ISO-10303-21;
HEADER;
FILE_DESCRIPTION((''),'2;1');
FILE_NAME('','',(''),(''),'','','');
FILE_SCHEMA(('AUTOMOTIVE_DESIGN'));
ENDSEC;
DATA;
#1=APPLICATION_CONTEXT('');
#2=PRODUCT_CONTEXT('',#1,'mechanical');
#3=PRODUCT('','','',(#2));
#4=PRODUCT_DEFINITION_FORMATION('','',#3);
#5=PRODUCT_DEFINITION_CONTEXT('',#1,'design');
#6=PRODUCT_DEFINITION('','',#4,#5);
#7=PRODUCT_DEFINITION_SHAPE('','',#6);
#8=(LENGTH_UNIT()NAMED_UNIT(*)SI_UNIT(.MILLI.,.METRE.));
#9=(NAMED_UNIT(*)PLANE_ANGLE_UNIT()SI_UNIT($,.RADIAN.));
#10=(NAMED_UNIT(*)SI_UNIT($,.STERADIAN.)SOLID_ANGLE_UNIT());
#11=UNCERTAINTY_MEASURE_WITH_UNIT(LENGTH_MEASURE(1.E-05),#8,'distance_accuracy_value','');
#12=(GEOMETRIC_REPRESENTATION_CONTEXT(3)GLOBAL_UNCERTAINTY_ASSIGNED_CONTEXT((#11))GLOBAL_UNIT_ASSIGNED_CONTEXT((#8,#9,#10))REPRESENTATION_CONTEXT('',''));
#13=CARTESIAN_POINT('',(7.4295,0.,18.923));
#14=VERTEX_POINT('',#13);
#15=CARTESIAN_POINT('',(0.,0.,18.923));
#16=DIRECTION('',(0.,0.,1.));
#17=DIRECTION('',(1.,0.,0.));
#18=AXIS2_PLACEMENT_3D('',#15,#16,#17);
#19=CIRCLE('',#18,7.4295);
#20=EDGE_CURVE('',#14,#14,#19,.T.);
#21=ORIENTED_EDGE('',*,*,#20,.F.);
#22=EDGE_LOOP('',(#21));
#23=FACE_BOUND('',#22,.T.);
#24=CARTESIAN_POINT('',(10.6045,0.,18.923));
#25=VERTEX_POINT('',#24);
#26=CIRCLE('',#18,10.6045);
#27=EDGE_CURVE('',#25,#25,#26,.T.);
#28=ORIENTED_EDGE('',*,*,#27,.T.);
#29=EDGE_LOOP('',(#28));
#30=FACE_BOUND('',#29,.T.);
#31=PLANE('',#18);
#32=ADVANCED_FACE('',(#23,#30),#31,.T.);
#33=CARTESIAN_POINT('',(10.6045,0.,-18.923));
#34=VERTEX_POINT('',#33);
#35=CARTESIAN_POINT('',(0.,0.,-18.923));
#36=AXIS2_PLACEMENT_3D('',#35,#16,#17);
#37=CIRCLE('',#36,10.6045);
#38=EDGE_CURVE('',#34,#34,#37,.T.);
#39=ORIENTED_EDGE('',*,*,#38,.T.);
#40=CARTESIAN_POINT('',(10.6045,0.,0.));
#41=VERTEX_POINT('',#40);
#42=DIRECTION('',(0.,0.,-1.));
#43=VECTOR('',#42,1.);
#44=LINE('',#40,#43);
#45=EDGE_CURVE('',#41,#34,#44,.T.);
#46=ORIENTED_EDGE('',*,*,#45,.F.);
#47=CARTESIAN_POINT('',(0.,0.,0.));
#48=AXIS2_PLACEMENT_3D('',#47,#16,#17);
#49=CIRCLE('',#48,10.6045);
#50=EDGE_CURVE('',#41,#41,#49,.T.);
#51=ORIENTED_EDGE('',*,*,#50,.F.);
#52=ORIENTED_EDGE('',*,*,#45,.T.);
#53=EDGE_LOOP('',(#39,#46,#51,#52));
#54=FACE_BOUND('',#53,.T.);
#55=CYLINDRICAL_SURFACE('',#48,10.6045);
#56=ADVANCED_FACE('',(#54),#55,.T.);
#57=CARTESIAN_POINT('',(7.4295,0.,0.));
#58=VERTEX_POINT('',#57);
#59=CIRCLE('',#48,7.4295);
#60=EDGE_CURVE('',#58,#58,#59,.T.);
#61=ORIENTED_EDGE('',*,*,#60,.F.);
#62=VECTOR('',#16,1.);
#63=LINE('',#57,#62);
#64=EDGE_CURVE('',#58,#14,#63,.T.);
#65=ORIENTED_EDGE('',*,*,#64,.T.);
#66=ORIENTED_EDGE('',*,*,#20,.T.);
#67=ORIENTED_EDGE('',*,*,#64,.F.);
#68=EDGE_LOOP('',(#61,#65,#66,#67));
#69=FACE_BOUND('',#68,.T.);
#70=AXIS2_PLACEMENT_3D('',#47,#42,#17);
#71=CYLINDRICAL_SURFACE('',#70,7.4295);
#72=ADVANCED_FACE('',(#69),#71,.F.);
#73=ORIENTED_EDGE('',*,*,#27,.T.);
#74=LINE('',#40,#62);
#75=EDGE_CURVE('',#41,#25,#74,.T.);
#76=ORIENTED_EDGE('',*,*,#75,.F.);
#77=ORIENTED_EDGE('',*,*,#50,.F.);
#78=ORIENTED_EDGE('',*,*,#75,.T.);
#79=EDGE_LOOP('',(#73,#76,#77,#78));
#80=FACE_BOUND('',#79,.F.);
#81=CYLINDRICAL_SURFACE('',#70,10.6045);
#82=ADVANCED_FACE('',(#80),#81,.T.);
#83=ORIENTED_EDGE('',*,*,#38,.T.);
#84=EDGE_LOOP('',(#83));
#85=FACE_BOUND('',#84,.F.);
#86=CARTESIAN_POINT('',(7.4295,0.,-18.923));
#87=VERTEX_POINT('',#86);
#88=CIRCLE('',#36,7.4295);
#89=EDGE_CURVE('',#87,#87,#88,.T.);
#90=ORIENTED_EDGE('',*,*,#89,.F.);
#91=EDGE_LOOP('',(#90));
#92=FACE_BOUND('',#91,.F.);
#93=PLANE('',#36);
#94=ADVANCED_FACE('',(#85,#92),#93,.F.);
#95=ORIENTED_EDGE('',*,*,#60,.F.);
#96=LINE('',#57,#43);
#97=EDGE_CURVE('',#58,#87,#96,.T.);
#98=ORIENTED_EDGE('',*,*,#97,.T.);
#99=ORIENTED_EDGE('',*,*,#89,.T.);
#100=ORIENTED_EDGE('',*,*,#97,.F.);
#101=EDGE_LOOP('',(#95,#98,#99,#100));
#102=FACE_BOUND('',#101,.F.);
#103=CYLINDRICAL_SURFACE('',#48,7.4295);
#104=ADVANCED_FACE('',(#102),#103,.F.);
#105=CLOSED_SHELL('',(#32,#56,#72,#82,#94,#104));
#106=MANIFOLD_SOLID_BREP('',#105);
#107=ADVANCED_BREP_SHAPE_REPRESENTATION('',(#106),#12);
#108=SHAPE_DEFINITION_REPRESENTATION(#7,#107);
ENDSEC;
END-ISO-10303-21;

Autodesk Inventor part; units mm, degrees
ref_plane "YZ Plane" through (0, 0, 0) normal (1, 0, 0) x (0, 1, 0)
ref_plane "XZ Plane" through (0, 0, 0) normal (0, 1, 0) x (-1, 0, 0)
ref_plane "XY Plane" through (0, 0, 0) normal (0, 0, 1) x (1, 0, 0)
sketch "Sketch1" plane through (0, 0, 0) normal (0, 0, 1) x (1, 0, 0)
  circle A0 centre (0, 0) radius 7.4295
  circle A1 centre (0, 0) radius 10.6045
  dimension "d0" = 14.859
  dimension "d1" = 3.175
extrude "Extrusion1" add sketch "Sketch1" along normal mid plane 37.846
properties part number "GP5-016" material "ABS Plastic"
